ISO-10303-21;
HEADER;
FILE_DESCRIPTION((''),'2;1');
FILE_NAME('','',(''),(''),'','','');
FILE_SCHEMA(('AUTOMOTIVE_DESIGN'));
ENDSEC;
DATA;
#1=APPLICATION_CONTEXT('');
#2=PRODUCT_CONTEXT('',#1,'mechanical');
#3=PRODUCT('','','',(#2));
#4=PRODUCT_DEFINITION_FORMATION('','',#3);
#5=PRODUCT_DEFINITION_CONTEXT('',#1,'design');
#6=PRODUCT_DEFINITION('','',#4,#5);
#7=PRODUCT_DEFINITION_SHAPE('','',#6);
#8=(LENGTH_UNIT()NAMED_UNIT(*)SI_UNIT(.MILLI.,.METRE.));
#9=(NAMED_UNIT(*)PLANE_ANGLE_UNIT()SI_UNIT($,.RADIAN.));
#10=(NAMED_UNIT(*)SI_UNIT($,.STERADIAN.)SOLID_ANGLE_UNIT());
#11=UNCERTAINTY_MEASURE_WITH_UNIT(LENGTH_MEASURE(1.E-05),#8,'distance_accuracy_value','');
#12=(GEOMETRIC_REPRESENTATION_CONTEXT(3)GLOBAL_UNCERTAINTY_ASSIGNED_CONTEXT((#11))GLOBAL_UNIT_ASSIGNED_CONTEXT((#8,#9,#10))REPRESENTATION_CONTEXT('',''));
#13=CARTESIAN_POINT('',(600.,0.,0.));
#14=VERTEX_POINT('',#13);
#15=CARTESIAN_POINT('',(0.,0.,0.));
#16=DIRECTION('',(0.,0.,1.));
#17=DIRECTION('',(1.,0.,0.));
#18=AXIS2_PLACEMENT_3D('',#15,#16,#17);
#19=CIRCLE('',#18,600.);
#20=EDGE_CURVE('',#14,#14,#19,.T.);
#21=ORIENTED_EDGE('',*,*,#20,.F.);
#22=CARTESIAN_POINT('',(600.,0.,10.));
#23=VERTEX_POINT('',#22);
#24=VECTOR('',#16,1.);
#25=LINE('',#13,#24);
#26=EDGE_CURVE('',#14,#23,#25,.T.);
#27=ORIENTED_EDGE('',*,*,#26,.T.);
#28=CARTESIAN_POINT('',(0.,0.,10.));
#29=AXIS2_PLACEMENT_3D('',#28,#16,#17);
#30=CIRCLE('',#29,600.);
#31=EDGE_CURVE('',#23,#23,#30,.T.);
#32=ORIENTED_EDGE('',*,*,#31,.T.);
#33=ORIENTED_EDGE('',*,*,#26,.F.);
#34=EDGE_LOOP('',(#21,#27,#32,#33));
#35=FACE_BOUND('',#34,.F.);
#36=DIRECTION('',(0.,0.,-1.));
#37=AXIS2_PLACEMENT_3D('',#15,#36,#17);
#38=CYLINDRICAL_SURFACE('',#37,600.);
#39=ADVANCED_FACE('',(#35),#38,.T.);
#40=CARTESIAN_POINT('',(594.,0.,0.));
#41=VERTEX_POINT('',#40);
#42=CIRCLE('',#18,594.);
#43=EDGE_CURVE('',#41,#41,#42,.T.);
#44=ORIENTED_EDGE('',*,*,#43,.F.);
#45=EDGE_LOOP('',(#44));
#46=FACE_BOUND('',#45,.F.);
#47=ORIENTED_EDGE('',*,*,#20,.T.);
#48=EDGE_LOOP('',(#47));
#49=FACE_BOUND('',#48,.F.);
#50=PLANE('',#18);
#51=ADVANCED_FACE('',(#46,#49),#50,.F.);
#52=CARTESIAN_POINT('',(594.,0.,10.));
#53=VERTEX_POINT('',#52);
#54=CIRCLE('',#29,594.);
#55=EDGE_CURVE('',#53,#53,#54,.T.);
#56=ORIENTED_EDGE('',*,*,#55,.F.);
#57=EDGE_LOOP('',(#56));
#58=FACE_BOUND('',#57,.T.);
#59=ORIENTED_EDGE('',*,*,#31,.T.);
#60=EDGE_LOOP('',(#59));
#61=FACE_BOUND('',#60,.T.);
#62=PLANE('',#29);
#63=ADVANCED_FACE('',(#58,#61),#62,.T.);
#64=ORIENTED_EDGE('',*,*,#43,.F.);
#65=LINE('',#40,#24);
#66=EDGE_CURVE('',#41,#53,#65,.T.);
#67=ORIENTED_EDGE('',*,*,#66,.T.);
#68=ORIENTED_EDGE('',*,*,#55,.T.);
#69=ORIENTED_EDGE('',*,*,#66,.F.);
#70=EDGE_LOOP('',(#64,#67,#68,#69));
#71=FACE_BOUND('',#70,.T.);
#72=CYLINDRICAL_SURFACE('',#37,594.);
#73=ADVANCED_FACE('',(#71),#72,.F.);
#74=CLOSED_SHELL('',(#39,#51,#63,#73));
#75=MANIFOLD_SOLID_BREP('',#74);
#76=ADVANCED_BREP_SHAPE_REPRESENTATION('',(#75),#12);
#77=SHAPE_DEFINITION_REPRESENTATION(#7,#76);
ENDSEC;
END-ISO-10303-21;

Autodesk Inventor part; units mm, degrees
ref_plane "YZ Plane" through (0, 0, 0) normal (1, 0, 0) x (0, 1, 0)
ref_plane "XZ Plane" through (0, 0, 0) normal (0, 1, 0) x (-1, 0, 0)
ref_plane "XY Plane" through (0, 0, 0) normal (0, 0, 1) x (1, 0, 0)
sketch "Sketch1" plane through (0, 0, 0) normal (0, 0, 1) x (1, 0, 0)
  circle A0 centre (0, 0) radius 600
  circle A1 centre (0, 0) radius 594
  dimension "d0" = 1200
  dimension "d1" = 6
extrude "Extrusion1" add sketch "Sketch1" along normal blind 10
sketch "Sketch2" plane through (0, 0, 0) normal (0, 0, 1) x (1, 0, 0)
  circle A0 centre (0, 0) radius 517.8803 construction
  circle A1 centre (0, 0) radius 400.2499 construction
  circle A2 centre (0, 0) radius 256.3201 construction
  circle A3 centre (90, -90) radius 95
  circle A4 centre (-90, -90) radius 95
  circle A5 centre (-90, 90) radius 95
  circle A6 centre (90, 90) radius 95
  line L0 (90, 90) -> (-90, 90)
  line L1 (-90, 90) -> (-90, -90)
  line L2 (-90, -90) -> (90, -90)
  line L3 (90, -90) -> (90, 90)
  line L4 (90, 90) -> (-90, -90) construction
  line L5 (-90, 90) -> (90, -90) construction
  circle A7 centre (-240, -90) radius 95
  circle A8 centre (-390, -90) radius 95
  circle A9 centre (-510, -90) radius 95
  circle A10 centre (-90, -270) radius 95
  circle A11 centre (-90, -500) radius 95
  circle A12 centre (-290, -270) radius 95
  circle A13 centre (-450, -270) radius 95
  circle A14 centre (-340, -400) radius 95
  circle A15 centre (-240, 90) radius 95
  circle A16 centre (-390, 90) radius 95
  circle A17 centre (-510, 90) radius 95
  line L6 (-90, -90) -> (-510, -90)
  line L7 (0, 0) -> (0, -500)
  line L8 (0, -500) -> (-90, -500)
  line L9 (0, -400) -> (-340, -400)
  line L10 (0, -270) -> (-450, -270)
  circle A18 centre (-190, -400) radius 95
  dimension "d4" = 190
  dimension "d7" = 90
  dimension "d8" = 270
  dimension "d9" = 400
  dimension "d10" = 500
  dimension "d11" = 240
  dimension "d12" = 390
  dimension "d13" = 510
  dimension "d14" = 90
  dimension "d15" = 90
  dimension "d16" = 290
  dimension "d17" = 450
  dimension "d18" = 190
  dimension "d19" = 340
  dimension "d20" = 90
sketch "Sketch3" plane through (0, 0, 0) normal (0, 0, 1) x (1, 0, 0)
  circle A0 centre (-104.0992, -233.3488) radius 95
  circle A1 centre (-161.9131, -395.3117) radius 95
  circle A2 centre (-91.7953, -514.3257) radius 95
  circle A3 centre (-280.9346, -260.412) radius 95
  circle A4 centre (-299.5406, -418.8761) radius 95
  circle A5 centre (-250.7395, 99.5106) radius 95
  circle A6 centre (-395.8303, 87.9315) radius 95
  circle A7 centre (-535.2648, 91.0733) radius 95
  circle A8 centre (-460.3613, -287.8718) radius 95
  circle A9 centre (-531.2922, -111.9436) radius 95
  circle A10 centre (-392.3143, -102.4845) radius 95
  circle A11 centre (0, 0) radius 542.9574 construction
  circle A12 centre (-253.2201, -93.0176) radius 95
  circle A13 centre (-90.4998, -81.9426) radius 95
  circle A14 centre (85.6841, -88.1302) radius 95
  circle A15 centre (-90.4998, 88.0537) radius 95
  circle A16 centre (0, 0) radius 405.4794 construction
  circle A17 centre (0, 0) radius 269.7641 construction
  circle A18 centre (85.6841, 88.0537) radius 95
  line L0 (0, 0) -> (0, -542.9574)
  line L1 (0, -75.783) -> (-531.2922, -111.9436)
  line L2 (0, -217.4173) -> (-460.3613, -287.8718)
  circle A19 centre (0, 0) radius 600
  line L3 (0, -367.5891) -> (-299.5406, -418.8761)
  line L4 (-91.7953, -514.3257) -> (0, -514.3257)
  point P0 (0, 0)
  dimension "d21" = 190
  dimension "d22" = 1200
equation "\"d14\" = d7"
equation "\"d15\" = d7"
equation "\"BendRadius\" = Thickness"
equation "\"BendReliefWidth\" = Thickness"
equation "\"BendReliefDepth\" = 0.5 * Thickness"
equation "\"CornerReliefSize\" = 4 * Thickness"
equation "\"MinimumRemnant\" = 2 * Thickness"
equation "\"TransitionRadius\" = BendRadius"
equation "\"JacobiRadiusSize\" = BendRadius"
equation "\"GapSize\" = Thickness"
equation "\"way_tube_L1\" = 1"
equation "\"way_tube_L2\" = 1"
equation "\"way_tube_L3\" = 1"
equation "\"way_tube_L4\" = 1"
equation "\"way_tube_L5\" = 120"
equation "\"way_tube_L6\" = 90"
equation "\"way_tube_L7\" = 20"
equation "\"way_tube_L8\" = 90"
equation "\"way_tube_L9\" = 80"
equation "\"way_tube_L10\" = 80"
equation "\"Thickness\" = 3.048"
properties part number "ANP 1401 DIM filter-distribution-system"
